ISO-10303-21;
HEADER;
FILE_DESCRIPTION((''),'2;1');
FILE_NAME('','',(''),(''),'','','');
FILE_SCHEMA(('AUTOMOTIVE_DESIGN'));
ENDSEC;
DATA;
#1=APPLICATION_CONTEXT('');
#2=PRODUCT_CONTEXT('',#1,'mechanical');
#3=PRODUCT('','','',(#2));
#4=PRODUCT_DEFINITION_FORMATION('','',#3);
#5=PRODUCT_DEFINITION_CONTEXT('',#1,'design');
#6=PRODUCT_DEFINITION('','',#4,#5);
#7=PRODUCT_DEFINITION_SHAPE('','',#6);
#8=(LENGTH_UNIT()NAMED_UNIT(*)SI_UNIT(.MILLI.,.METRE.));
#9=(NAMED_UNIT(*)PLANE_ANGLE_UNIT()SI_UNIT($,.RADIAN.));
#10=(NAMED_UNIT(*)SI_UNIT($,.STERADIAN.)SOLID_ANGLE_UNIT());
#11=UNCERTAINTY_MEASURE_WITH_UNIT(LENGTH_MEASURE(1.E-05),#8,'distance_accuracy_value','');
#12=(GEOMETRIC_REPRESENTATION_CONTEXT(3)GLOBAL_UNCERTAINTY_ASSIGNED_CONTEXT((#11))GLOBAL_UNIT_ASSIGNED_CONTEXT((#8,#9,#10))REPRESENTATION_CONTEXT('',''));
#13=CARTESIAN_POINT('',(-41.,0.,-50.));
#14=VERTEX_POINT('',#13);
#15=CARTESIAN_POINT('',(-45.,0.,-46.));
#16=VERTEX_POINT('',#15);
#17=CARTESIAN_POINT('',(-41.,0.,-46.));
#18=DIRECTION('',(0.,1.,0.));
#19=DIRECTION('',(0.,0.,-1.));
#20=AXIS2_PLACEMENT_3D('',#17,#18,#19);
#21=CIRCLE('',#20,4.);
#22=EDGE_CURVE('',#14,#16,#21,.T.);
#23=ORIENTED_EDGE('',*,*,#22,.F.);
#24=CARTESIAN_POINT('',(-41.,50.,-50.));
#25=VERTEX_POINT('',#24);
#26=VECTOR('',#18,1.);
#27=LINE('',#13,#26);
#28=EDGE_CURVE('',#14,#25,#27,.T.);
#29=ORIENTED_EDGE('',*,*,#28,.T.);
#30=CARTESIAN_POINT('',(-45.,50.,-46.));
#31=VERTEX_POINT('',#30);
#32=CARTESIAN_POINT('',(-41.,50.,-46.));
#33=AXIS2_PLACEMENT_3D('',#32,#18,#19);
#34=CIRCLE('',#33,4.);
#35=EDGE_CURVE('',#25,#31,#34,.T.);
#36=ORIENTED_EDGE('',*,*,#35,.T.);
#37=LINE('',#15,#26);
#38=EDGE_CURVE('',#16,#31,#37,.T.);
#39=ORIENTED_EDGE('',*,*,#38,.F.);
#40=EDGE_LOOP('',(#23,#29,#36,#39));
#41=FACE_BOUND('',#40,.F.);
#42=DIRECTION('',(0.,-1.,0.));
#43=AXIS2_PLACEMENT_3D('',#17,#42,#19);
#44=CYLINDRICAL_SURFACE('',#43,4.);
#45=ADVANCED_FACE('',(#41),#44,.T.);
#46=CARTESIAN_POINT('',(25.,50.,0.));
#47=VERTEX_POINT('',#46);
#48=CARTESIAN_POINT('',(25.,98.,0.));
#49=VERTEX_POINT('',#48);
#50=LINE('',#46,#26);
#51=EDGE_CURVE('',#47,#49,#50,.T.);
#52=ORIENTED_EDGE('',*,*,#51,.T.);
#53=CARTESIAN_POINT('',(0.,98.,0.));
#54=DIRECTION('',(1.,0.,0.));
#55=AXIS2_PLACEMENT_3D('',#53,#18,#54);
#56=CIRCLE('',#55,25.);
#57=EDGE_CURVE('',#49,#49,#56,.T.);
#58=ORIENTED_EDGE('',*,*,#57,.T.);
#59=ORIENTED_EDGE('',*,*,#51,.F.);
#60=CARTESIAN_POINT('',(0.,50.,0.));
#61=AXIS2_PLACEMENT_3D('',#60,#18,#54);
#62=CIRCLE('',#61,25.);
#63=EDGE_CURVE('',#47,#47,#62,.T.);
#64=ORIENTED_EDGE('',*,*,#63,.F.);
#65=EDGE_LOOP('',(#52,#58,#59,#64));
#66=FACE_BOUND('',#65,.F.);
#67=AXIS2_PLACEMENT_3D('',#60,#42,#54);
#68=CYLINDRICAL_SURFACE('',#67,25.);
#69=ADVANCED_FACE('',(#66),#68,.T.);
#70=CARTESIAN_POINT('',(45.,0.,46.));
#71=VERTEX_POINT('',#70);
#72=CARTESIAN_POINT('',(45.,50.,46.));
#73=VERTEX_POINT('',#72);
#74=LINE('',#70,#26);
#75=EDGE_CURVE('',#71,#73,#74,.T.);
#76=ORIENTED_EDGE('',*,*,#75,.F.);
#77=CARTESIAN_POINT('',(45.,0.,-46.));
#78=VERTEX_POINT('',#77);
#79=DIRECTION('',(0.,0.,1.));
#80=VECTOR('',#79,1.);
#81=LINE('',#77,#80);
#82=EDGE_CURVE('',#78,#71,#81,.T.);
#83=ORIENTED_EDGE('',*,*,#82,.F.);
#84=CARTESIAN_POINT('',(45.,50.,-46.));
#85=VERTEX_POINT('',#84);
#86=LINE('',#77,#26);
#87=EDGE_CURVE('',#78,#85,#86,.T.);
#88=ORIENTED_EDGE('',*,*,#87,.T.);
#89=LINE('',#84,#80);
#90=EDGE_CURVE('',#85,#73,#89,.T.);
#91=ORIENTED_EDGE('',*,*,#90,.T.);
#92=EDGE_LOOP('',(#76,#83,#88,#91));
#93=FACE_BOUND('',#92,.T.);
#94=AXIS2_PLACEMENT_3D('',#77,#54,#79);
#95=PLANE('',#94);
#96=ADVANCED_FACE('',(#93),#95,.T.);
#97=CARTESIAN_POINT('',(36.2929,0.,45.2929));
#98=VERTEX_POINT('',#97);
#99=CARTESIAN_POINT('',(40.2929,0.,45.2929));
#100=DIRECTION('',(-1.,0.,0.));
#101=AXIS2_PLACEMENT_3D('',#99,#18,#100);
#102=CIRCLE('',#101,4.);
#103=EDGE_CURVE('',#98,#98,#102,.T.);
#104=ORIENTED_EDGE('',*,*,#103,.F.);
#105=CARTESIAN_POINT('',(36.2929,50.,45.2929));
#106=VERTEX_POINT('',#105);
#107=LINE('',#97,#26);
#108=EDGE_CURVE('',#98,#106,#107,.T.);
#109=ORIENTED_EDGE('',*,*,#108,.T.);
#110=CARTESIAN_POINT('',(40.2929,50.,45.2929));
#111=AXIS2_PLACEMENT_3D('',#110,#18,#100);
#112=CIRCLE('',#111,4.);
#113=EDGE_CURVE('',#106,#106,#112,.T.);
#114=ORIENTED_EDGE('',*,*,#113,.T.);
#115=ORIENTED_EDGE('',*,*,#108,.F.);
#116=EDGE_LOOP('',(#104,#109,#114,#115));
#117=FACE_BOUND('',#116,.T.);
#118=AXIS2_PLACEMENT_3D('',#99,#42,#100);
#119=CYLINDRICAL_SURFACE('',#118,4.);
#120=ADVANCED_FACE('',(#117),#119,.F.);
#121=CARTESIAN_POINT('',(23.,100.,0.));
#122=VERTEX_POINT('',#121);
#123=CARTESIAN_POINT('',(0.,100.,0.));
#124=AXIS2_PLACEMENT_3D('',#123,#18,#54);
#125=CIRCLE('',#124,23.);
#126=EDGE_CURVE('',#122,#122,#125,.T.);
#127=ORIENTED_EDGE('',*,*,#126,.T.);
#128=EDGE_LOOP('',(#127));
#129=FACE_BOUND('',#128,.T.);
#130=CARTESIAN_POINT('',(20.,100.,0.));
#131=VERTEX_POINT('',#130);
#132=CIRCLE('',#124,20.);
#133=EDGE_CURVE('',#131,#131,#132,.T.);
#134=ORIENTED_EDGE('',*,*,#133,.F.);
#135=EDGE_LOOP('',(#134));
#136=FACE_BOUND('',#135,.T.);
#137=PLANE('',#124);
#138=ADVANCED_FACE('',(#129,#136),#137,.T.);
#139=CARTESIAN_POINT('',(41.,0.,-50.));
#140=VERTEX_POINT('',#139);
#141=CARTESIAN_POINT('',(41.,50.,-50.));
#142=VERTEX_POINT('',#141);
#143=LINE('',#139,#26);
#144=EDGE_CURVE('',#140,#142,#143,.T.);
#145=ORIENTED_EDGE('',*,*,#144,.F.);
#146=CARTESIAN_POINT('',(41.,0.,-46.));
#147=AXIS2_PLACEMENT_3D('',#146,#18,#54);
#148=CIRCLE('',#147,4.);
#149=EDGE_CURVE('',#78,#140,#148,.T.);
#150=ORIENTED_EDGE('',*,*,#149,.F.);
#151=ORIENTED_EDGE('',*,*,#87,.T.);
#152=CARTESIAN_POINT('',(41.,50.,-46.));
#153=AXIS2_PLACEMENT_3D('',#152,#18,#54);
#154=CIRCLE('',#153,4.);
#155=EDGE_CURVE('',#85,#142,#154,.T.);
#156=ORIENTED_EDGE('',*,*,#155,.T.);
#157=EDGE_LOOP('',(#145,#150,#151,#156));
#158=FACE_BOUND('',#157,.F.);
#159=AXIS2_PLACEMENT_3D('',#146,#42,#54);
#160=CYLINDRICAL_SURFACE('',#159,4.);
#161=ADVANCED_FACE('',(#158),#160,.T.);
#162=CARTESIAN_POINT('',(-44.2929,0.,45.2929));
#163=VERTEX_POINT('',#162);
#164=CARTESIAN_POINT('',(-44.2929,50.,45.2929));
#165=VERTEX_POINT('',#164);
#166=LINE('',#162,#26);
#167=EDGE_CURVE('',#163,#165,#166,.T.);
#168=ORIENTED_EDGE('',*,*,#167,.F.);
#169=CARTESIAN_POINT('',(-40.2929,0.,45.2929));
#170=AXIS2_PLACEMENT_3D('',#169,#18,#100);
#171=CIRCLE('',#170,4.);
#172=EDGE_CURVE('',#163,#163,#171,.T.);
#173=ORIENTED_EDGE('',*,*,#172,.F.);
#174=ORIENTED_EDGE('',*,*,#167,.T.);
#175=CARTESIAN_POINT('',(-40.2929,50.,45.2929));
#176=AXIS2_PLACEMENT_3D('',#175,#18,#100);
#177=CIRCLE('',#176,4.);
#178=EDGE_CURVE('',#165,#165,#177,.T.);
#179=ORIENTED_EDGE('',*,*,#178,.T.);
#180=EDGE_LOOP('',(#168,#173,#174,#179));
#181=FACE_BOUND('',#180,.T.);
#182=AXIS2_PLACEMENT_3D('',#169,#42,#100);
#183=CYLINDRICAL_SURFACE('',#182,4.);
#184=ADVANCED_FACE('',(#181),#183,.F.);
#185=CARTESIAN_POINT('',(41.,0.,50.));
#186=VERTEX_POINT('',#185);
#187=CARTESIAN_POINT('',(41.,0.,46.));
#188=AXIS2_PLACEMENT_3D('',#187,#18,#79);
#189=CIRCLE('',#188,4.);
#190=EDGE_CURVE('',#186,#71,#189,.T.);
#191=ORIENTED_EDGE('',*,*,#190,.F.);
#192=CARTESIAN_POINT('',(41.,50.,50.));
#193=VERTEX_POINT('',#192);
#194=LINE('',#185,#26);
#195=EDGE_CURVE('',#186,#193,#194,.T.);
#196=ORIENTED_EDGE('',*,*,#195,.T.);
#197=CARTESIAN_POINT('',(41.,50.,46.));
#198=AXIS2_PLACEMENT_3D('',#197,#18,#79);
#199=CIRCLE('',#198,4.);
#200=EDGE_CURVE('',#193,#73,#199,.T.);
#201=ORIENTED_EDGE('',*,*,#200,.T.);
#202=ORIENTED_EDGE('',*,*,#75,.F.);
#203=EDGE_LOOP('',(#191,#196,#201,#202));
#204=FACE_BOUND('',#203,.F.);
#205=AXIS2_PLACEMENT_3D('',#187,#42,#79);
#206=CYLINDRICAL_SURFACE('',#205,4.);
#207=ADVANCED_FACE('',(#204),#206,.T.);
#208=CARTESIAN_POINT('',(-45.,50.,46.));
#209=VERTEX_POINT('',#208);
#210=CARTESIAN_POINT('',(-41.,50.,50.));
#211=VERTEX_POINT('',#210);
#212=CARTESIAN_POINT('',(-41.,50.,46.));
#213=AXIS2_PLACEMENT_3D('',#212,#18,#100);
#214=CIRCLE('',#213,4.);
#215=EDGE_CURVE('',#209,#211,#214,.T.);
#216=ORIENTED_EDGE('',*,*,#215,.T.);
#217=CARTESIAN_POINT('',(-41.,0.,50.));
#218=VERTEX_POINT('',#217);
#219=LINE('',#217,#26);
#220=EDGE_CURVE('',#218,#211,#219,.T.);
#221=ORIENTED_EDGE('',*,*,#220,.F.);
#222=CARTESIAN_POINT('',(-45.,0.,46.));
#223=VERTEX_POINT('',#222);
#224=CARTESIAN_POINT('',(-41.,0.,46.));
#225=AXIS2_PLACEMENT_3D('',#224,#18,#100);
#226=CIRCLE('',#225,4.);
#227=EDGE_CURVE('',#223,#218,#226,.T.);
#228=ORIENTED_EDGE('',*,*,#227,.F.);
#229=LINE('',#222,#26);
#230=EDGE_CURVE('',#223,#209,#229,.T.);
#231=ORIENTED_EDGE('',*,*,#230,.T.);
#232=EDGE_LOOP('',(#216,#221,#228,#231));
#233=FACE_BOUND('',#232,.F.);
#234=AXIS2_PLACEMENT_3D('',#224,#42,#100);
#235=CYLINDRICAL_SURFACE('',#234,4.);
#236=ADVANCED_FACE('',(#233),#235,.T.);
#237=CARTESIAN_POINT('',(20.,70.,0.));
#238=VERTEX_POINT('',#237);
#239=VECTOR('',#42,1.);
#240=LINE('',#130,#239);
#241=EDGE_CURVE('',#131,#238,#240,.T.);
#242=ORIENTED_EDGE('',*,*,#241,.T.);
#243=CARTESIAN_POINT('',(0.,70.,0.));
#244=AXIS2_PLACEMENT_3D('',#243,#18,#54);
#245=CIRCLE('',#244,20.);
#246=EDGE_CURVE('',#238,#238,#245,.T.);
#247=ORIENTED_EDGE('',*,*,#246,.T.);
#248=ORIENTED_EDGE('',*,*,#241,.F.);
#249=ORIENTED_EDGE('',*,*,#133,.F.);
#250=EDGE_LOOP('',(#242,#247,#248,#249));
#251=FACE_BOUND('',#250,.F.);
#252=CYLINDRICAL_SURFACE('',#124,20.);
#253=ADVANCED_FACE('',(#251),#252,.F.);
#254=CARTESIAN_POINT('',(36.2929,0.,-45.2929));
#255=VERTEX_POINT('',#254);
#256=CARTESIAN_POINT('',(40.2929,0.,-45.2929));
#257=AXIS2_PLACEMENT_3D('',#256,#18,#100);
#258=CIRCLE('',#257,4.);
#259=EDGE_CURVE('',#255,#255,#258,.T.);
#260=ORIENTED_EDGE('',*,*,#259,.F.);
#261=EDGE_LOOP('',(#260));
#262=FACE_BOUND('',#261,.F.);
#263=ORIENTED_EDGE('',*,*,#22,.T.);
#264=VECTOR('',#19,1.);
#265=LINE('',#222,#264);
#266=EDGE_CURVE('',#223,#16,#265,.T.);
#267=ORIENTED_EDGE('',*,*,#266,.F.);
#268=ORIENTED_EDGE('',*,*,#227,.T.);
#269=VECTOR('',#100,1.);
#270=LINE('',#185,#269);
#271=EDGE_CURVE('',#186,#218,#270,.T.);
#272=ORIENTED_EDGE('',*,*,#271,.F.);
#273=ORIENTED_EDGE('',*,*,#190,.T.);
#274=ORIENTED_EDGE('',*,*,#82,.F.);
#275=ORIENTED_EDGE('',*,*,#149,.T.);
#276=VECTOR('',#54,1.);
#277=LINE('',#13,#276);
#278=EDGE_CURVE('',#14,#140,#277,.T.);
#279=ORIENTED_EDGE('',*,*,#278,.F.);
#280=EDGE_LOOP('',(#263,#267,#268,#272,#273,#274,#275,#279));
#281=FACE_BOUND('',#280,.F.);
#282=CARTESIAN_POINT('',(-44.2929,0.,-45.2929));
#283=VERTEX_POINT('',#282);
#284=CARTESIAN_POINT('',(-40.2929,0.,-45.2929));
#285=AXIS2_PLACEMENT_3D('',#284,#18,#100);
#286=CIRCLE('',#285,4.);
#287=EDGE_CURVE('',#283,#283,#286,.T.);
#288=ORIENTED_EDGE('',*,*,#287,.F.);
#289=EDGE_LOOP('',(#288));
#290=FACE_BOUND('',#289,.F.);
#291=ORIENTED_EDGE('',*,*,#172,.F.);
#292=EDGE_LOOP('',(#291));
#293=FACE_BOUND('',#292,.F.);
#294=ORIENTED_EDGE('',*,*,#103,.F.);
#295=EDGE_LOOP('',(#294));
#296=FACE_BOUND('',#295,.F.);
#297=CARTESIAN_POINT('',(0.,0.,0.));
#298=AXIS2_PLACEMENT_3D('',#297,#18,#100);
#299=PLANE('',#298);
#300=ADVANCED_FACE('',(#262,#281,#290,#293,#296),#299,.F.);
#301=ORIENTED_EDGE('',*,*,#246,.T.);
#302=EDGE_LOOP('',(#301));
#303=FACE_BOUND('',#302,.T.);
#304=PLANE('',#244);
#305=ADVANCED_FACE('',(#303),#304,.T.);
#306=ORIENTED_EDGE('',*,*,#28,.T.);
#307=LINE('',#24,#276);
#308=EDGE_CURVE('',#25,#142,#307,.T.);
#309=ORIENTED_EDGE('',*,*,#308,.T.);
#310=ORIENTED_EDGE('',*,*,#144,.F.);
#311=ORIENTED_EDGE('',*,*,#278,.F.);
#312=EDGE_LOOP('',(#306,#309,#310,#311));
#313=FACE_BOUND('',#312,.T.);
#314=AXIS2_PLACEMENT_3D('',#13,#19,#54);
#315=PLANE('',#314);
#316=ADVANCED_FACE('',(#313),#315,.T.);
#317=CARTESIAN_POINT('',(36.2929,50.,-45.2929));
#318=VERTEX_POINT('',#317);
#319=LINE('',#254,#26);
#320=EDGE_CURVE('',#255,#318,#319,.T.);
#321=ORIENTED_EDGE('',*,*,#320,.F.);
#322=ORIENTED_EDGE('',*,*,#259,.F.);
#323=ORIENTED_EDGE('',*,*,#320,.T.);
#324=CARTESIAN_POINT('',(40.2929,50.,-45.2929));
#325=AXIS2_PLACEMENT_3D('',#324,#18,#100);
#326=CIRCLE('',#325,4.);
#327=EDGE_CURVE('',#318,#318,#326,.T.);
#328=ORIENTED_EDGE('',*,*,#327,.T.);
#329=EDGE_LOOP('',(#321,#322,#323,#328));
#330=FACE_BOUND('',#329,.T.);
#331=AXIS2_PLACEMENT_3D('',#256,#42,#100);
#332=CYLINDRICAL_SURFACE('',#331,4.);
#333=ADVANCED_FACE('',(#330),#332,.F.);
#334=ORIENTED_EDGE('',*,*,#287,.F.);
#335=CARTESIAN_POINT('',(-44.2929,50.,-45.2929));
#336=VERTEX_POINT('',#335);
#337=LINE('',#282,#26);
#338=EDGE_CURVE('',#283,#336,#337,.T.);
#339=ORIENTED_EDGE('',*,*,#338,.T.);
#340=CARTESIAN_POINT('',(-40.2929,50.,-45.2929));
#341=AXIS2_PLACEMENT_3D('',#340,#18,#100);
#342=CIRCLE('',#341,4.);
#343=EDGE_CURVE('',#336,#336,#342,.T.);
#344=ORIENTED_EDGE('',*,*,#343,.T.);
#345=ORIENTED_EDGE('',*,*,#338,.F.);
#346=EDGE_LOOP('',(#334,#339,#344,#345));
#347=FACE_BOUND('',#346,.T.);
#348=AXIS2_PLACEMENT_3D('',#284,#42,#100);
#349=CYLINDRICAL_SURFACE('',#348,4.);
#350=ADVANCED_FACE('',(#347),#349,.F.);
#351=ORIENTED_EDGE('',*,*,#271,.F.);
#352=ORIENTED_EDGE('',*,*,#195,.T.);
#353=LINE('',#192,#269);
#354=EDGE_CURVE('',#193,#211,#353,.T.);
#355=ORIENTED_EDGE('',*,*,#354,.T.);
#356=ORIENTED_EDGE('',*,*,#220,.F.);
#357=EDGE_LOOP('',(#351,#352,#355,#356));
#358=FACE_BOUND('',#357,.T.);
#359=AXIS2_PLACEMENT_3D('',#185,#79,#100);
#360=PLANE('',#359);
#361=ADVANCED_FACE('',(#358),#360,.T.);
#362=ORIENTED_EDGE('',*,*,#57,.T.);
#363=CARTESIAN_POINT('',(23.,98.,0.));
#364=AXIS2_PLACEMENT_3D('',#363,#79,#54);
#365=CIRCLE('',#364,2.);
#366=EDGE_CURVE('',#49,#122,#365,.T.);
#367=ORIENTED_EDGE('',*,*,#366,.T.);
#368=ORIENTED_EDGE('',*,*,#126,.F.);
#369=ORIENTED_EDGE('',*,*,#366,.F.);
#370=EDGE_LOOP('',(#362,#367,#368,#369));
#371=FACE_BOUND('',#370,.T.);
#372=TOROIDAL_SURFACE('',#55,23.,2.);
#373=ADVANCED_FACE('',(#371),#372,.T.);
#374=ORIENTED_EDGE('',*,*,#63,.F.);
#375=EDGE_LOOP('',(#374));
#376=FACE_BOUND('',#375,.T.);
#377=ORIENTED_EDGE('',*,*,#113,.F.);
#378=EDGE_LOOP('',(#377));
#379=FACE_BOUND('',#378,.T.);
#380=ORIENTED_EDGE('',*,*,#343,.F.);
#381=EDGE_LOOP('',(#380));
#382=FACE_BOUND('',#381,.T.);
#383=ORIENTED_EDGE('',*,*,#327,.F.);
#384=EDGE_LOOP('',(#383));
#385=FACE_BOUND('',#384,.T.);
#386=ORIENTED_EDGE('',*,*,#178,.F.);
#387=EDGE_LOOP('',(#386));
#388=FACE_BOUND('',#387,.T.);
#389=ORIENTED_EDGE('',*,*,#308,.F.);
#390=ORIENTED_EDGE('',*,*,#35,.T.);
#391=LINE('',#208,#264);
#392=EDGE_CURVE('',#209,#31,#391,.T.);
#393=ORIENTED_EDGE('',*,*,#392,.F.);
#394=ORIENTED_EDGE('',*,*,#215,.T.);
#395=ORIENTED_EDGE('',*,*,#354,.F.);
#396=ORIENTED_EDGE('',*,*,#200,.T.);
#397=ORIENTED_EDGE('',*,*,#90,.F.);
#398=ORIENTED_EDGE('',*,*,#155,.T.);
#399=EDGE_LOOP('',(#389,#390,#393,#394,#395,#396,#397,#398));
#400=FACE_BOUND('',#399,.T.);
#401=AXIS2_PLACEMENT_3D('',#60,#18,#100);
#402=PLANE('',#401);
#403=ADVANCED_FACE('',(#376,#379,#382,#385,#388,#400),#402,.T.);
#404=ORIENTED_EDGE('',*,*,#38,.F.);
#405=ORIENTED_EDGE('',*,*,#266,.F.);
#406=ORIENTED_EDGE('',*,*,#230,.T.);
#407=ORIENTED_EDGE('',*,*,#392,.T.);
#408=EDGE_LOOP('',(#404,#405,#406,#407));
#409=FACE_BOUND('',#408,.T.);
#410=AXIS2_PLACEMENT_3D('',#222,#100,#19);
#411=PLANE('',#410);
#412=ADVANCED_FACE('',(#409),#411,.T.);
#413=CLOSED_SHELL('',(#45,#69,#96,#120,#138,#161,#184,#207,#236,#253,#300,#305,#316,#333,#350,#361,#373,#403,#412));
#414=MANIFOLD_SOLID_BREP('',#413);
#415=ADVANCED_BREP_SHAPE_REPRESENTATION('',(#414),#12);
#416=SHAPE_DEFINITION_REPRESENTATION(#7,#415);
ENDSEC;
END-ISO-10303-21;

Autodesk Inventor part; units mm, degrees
ref_plane "YZ Plane" through (0, 0, 0) normal (1, 0, 0) x (0, 1, 0)
ref_plane "XZ Plane" through (0, 0, 0) normal (0, 1, 0) x (-1, 0, 0)
ref_plane "XY Plane" through (0, 0, 0) normal (0, 0, 1) x (1, 0, 0)
sketch "Boceto1" plane through (0, 0, 0) normal (0, 1, 0) x (-1, 0, 0)
  line L0 (-41, 50) -> (41, 50)
  line L1 (45, 46) -> (45, -46)
  line L2 (41, -50) -> (-41, -50)
  line L3 (-45, -46) -> (-45, 46)
  arc A0 (41, -50) -> (45, -46) centre (41, -46) ccw
  arc A1 (45, 46) -> (41, 50) centre (41, 46) ccw
  arc A2 (-41, 50) -> (-45, 46) centre (-41, 46) ccw
  arc A3 (-45, -46) -> (-41, -50) centre (-41, -46) ccw
  line L4 (43.8284, -48.8284) -> (48.8284, -48.8284) construction
  circle A4 centre (40.2929, -45.2929) radius 4
  circle A5 centre (40.2929, 45.2929) radius 4
  circle A6 centre (-40.2929, 45.2929) radius 4
  circle A7 centre (-40.2929, -45.2929) radius 4
  point P0 (0, 0)
extrude "Extrusión1" add sketch "Boceto1" along normal blind 50
sketch "Boceto2" plane through (0, 50, 0) normal (0, 1, 0) x (1, 0, 0)
  circle A0 centre (0, 0) radius 25
  dimension "d19" = 50
extrude "Extrusión2" add sketch "Boceto2" along normal blind 50
sketch "Boceto3" plane through (0, 100, 0) normal (0, 1, 0) x (1, 0, 0)
  circle A0 centre (0, 0) radius 20
  dimension "d22" = 40
extrude "Extrusión3" cut sketch "Boceto3" against normal blind 30
thread "Rosca1" size "M50x4" class "6H" standard "ANSI Metric M Profile" full length
fillet "Empalme1" radius 2 1 edges at (-25, 100, 0)
properties part number "Pieza No.1 Lj"
